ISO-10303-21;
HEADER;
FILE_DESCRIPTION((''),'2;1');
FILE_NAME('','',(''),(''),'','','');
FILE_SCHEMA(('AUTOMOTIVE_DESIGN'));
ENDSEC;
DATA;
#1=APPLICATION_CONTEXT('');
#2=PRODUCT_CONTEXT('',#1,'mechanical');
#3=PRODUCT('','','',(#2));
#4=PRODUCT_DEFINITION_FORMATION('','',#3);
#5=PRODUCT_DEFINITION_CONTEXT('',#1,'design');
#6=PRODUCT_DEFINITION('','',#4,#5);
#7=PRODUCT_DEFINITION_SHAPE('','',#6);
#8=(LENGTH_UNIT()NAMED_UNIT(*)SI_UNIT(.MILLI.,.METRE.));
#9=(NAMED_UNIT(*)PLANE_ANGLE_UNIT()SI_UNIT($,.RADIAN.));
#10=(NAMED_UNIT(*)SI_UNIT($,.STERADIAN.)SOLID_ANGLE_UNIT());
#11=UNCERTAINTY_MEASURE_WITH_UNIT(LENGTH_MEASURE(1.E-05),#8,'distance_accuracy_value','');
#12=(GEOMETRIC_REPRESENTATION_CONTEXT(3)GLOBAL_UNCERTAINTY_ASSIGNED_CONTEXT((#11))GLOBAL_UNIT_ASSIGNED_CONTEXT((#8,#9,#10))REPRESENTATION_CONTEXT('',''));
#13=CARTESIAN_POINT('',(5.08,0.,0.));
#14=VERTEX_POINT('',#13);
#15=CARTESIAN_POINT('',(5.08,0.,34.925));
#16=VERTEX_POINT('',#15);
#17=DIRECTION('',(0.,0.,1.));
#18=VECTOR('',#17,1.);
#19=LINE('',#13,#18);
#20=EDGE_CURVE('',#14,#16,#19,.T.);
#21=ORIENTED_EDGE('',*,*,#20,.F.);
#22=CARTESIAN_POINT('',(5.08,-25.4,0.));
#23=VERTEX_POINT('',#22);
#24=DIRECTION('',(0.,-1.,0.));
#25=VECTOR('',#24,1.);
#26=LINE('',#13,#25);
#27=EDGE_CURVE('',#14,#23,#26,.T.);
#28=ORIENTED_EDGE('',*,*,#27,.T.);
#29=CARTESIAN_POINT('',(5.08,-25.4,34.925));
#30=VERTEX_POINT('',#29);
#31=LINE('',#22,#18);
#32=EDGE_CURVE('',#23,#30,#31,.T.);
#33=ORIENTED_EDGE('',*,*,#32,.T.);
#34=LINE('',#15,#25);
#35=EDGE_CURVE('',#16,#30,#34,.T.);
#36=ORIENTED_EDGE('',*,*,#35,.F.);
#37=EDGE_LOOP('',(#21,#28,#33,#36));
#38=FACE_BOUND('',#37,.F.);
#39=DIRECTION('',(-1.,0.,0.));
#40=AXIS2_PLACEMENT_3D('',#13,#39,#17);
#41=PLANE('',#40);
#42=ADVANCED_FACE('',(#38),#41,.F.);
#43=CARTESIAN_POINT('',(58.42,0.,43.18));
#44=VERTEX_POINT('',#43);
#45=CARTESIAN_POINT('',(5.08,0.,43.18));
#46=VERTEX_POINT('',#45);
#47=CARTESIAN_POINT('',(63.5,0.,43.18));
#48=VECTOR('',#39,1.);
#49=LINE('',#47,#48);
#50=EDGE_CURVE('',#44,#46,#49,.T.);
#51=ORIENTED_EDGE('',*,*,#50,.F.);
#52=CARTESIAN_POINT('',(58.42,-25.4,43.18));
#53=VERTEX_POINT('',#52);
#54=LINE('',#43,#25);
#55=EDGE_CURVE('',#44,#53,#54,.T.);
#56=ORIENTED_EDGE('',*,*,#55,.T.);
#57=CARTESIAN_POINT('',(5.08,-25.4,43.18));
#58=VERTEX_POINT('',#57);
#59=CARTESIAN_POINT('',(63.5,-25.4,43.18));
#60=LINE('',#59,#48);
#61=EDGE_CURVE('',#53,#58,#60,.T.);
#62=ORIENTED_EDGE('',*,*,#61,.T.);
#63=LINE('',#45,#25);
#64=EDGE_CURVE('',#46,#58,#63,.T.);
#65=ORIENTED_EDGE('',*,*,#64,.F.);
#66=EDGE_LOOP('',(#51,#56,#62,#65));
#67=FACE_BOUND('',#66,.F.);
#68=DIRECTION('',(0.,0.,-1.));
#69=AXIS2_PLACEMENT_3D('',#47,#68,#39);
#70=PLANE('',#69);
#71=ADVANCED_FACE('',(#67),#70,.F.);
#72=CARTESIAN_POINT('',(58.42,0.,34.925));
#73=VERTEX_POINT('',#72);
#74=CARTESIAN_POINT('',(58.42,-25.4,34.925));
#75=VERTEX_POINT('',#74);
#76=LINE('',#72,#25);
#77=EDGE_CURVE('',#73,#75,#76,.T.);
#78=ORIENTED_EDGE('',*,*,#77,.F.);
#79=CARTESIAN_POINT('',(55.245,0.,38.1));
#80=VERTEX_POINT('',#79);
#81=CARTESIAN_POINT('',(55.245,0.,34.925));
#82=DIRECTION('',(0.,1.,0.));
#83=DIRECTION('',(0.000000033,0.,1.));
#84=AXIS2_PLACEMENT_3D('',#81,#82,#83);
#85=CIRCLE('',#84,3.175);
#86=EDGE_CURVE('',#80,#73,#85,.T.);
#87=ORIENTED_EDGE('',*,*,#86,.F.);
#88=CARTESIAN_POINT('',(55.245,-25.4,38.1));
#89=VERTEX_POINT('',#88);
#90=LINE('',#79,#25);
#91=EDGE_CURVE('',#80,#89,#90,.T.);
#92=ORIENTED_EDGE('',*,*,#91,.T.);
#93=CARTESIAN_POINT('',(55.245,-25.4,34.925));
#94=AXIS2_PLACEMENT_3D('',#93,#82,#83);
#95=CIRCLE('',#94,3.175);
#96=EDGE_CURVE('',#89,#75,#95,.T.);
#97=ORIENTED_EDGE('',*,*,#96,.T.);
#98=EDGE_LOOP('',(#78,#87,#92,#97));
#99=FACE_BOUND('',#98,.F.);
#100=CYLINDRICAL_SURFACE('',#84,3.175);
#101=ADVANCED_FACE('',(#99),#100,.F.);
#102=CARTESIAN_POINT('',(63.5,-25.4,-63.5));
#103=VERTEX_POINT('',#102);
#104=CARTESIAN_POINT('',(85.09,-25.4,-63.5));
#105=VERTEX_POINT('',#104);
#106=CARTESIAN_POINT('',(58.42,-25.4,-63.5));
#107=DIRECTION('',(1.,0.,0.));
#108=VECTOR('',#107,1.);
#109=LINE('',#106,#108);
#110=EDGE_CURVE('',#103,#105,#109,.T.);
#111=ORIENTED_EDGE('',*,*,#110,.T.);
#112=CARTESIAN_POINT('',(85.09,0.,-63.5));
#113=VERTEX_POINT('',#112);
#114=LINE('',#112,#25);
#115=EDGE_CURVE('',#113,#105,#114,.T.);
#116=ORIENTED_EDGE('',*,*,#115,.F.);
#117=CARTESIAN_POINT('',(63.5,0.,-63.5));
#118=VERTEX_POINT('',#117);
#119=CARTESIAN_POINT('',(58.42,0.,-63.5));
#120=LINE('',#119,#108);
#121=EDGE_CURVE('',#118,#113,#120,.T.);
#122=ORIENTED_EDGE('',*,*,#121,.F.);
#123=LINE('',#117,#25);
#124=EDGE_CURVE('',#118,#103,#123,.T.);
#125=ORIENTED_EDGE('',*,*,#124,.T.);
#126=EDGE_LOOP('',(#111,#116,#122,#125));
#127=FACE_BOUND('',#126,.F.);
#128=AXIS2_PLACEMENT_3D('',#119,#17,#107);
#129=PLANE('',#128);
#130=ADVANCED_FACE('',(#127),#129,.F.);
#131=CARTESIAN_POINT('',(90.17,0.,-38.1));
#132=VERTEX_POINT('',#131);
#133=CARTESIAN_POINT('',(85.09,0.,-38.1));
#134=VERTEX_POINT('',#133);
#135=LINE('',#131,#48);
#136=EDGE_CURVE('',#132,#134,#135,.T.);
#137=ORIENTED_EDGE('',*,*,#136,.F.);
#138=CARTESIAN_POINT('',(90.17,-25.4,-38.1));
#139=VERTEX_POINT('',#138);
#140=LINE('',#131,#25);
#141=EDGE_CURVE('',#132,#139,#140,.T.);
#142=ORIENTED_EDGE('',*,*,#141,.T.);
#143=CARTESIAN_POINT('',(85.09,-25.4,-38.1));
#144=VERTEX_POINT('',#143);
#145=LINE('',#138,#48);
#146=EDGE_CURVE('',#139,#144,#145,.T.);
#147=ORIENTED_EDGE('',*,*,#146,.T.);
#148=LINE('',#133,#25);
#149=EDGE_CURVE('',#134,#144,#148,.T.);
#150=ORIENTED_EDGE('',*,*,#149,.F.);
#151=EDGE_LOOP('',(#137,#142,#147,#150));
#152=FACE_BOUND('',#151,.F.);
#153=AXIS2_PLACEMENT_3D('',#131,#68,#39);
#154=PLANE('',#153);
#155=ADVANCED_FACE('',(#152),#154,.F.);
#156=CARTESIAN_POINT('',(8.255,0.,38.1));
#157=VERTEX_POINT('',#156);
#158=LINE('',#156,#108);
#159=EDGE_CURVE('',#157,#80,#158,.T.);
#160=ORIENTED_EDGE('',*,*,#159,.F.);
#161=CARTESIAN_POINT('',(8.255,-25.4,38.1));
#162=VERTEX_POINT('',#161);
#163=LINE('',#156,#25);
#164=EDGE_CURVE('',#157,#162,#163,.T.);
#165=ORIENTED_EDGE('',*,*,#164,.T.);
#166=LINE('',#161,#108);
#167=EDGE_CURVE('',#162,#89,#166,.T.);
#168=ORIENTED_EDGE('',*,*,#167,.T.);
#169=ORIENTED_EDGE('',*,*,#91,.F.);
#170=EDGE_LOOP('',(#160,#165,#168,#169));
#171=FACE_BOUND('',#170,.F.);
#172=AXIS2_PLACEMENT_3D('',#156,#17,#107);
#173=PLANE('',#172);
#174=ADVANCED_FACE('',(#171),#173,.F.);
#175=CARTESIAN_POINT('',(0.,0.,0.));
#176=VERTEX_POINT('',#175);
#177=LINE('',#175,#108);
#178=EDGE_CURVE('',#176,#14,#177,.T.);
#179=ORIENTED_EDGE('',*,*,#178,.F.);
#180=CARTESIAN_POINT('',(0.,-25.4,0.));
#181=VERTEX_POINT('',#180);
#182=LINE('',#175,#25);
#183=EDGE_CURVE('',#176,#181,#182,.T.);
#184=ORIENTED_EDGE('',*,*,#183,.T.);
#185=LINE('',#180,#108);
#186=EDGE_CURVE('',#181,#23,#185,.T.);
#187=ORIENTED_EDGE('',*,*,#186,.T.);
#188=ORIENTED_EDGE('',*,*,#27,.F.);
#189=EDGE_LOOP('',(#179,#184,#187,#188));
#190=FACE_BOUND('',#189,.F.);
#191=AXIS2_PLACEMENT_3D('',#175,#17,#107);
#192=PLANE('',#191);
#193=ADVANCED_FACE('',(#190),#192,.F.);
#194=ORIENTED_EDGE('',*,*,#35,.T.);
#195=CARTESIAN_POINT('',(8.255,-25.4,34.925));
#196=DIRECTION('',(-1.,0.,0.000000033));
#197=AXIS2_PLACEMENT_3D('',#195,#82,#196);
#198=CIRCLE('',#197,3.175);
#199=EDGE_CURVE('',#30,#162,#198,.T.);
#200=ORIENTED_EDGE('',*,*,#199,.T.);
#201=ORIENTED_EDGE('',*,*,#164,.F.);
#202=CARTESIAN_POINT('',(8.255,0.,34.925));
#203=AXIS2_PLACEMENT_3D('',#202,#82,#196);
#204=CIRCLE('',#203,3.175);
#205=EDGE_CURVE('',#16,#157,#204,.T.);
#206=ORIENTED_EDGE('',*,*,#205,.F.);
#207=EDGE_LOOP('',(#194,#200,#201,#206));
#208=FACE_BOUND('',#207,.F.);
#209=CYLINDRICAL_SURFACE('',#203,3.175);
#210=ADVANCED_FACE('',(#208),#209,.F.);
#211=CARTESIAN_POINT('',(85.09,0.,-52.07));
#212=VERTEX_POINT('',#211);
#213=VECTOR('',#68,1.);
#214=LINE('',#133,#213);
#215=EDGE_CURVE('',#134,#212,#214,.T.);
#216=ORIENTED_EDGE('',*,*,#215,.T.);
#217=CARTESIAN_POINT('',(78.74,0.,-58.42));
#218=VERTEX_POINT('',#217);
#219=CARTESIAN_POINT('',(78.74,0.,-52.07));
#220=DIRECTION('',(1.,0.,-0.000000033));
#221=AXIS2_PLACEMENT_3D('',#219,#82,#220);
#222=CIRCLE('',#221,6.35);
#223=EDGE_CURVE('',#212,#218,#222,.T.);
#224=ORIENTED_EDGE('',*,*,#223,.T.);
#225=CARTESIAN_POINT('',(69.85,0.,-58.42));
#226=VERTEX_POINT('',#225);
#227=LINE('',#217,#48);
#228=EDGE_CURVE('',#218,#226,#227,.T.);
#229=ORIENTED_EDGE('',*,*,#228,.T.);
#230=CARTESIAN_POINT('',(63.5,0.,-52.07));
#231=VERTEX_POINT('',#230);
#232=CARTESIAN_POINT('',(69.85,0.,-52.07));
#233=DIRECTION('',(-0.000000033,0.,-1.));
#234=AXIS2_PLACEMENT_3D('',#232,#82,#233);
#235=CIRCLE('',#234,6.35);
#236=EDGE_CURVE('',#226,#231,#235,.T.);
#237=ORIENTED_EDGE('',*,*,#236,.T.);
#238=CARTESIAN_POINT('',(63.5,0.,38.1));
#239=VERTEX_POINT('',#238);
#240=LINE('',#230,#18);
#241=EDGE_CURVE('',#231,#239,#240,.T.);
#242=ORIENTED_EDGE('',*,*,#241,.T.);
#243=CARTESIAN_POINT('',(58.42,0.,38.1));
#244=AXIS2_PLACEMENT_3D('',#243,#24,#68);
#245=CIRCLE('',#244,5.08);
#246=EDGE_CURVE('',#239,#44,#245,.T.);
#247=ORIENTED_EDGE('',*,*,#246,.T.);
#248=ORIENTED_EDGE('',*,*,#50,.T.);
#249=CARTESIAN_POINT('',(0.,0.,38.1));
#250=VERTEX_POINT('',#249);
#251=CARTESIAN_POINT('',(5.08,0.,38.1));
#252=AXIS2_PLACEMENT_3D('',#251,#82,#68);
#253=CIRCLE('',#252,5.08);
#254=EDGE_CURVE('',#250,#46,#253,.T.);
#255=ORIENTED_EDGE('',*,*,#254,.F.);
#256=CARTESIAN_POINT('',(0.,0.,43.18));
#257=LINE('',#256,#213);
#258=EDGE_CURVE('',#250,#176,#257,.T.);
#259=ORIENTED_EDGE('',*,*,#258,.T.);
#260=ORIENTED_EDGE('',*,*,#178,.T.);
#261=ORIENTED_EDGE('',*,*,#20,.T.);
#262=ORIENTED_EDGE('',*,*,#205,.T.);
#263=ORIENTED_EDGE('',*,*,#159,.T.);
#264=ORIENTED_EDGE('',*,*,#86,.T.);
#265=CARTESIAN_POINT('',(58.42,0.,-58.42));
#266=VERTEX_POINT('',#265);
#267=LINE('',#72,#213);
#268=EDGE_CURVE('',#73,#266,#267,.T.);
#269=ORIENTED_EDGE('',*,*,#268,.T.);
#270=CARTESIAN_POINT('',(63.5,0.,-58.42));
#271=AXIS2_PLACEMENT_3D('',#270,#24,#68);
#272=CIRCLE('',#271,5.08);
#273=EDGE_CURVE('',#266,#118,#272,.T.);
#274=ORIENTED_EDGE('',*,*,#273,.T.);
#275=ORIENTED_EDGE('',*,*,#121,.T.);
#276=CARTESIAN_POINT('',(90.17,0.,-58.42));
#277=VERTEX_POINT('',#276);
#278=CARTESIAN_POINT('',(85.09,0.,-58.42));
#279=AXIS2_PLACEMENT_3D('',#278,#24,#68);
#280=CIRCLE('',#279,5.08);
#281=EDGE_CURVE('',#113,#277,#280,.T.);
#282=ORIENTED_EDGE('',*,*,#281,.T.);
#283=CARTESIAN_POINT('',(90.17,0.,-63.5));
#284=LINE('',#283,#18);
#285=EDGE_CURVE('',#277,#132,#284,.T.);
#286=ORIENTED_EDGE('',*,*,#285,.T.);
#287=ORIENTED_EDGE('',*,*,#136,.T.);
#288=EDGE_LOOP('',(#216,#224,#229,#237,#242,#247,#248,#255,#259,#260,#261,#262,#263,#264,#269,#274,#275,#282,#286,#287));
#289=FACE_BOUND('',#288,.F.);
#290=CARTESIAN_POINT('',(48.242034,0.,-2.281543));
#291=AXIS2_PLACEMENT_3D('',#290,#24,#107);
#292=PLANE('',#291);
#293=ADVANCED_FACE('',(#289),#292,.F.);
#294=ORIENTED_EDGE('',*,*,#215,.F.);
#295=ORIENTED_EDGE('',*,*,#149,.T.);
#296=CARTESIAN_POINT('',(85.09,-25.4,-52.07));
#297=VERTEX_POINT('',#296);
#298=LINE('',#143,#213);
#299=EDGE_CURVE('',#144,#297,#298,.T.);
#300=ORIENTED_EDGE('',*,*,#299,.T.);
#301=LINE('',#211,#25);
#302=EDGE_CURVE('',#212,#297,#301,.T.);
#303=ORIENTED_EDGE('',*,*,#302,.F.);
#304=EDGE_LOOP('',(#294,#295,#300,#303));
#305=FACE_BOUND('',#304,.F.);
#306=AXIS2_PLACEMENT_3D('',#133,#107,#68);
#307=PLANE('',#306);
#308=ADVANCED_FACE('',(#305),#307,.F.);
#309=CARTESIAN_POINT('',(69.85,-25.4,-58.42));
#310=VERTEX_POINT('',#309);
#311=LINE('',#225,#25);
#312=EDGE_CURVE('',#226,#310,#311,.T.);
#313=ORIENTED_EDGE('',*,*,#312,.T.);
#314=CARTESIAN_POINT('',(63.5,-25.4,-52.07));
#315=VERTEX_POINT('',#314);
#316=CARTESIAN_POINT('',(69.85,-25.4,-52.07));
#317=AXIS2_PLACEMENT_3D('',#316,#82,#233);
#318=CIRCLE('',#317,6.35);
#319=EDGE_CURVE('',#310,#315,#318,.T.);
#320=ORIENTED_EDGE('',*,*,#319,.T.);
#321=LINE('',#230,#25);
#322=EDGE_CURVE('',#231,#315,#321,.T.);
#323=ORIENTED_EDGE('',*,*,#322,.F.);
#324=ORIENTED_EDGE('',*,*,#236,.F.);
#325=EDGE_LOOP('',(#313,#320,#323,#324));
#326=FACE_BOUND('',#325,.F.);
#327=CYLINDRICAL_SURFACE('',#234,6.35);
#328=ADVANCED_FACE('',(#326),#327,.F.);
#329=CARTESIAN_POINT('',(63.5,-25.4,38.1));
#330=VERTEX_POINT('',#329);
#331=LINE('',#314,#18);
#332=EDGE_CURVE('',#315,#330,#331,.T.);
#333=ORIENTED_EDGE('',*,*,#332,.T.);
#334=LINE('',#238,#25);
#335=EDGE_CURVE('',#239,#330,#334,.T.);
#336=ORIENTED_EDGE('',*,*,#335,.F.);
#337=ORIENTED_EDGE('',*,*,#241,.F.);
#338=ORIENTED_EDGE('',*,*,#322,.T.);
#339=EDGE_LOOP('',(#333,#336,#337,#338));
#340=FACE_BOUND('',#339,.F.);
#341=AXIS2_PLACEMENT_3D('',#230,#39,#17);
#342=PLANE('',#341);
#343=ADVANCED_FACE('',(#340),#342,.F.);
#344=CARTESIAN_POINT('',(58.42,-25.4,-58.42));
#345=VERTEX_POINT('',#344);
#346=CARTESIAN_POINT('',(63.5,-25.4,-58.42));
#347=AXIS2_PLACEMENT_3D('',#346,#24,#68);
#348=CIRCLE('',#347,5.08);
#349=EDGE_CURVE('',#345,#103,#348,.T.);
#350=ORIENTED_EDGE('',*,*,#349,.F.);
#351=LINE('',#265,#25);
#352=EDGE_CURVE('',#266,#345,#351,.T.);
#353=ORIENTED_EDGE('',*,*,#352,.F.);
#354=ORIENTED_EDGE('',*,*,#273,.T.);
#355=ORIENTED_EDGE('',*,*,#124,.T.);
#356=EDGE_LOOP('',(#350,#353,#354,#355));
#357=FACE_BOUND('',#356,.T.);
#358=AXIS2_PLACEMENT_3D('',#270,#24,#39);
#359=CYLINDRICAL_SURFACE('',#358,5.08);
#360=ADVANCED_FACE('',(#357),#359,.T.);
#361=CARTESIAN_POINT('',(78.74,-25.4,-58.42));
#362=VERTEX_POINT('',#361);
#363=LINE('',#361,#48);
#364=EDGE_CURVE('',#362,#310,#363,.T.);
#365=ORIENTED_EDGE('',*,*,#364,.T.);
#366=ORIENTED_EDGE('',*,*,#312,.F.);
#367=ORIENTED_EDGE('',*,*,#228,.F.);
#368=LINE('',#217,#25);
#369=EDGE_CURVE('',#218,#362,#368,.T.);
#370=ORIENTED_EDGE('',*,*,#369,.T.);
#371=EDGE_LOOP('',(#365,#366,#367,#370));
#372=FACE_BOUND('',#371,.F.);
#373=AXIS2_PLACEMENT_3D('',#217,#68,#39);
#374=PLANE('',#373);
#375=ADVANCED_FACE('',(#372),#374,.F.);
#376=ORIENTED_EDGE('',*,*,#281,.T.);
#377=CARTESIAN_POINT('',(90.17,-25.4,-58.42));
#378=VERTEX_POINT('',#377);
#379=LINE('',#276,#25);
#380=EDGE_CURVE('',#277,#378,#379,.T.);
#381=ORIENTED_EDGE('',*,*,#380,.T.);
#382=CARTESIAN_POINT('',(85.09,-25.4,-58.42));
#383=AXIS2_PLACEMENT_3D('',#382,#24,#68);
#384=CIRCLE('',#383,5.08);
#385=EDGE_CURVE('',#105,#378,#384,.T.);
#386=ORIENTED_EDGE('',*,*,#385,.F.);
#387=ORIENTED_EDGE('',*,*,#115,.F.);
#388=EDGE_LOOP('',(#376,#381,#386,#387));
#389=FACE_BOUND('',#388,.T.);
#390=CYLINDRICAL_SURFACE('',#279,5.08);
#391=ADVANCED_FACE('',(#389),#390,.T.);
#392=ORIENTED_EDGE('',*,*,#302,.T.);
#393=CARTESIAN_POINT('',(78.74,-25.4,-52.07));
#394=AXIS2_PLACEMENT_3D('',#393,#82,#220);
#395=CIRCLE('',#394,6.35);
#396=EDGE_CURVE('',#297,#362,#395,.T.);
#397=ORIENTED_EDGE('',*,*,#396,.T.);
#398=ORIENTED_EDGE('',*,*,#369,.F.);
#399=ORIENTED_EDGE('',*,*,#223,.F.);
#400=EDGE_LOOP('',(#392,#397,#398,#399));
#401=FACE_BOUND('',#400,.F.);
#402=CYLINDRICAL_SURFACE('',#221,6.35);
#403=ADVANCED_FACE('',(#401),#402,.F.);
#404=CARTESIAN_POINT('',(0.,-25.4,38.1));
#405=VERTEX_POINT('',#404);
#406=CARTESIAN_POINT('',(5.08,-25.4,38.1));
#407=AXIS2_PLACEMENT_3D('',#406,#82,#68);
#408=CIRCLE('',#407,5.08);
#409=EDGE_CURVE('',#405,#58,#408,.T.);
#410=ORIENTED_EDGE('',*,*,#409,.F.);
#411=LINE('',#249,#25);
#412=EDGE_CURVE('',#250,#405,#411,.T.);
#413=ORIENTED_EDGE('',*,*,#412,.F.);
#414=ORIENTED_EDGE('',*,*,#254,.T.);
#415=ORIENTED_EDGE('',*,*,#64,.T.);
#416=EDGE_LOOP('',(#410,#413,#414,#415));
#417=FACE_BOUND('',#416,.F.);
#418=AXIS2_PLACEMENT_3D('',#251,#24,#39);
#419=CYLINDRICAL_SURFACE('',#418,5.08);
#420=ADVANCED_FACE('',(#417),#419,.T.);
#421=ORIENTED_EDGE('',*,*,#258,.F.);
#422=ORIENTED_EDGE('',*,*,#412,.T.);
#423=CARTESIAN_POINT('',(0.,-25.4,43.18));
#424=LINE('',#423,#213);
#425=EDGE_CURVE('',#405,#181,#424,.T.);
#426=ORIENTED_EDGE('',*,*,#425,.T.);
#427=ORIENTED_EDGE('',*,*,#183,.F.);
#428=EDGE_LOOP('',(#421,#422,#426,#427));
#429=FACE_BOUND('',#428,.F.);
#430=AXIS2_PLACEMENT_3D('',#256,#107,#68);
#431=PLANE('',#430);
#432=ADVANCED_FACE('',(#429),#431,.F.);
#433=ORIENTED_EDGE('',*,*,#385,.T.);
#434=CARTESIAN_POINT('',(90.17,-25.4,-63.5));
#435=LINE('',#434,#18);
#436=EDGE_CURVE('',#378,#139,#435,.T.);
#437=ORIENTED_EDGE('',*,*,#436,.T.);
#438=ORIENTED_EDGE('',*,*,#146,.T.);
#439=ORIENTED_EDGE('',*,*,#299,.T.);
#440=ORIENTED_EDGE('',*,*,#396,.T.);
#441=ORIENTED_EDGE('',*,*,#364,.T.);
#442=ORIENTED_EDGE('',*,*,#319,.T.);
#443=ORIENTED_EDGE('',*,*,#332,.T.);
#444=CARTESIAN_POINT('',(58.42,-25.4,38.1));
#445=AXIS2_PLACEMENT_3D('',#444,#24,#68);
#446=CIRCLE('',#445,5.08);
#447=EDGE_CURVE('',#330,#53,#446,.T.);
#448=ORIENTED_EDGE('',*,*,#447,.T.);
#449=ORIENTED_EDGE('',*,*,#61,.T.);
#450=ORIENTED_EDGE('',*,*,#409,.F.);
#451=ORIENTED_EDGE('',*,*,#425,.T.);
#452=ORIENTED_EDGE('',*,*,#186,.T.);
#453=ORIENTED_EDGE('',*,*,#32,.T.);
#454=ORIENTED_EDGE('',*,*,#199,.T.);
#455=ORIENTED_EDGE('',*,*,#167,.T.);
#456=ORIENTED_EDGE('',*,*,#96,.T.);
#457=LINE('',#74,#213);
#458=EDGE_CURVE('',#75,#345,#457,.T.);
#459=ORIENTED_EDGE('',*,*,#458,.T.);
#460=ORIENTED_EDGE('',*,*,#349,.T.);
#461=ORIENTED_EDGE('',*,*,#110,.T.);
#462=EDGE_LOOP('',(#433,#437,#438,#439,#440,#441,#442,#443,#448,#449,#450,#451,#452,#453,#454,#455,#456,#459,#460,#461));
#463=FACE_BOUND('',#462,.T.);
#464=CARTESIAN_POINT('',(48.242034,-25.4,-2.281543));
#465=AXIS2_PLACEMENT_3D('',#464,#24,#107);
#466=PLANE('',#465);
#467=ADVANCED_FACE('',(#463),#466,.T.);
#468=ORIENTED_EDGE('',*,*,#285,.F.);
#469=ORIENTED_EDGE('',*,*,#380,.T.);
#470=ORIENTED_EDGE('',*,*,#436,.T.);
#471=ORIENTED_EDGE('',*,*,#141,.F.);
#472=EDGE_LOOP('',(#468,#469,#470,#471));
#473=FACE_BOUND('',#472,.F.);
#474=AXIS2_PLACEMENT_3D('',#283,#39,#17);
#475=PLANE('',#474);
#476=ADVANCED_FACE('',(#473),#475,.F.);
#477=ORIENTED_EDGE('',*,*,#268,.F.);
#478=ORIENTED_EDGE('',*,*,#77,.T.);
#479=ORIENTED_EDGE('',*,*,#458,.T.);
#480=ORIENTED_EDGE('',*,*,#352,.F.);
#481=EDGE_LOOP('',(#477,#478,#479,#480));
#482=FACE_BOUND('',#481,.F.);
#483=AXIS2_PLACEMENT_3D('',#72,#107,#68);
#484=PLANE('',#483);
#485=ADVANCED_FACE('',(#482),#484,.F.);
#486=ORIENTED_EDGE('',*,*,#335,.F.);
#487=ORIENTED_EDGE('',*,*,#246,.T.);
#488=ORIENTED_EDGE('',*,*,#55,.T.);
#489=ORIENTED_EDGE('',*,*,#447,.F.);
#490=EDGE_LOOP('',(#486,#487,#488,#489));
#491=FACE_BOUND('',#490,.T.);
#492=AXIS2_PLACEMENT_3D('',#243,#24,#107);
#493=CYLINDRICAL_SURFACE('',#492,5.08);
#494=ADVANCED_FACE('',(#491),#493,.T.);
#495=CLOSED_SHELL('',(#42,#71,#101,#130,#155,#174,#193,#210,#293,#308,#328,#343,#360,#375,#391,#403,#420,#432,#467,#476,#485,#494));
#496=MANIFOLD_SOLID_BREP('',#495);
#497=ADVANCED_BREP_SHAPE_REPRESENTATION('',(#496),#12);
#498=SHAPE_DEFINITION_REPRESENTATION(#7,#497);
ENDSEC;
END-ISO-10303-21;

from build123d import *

# Parameters (mm, degrees)
F1_DEPTH = 25.4
F2_R     = 5.08


with BuildPart() as f1:
    # F0 (on Front) → F1 (new body)
    with BuildSketch(Plane.XZ):
        with BuildLine():
            Line((0, 43.18), (0, 0))
            Line((0, 0), (5.08, 0))
            Line((5.08, 0), (5.08, 34.925))
            ThreePointArc((5.08, 34.925), (6.009936, 37.170064), (8.255, 38.1))
            Line((8.255, 38.1), (55.245, 38.1))
            ThreePointArc((55.245, 38.1), (57.490064, 37.170064), (58.42, 34.925))
            Line((58.42, 34.925), (58.42, -63.5))
            Line((58.42, -63.5), (90.17, -63.5))
            Line((90.17, -63.5), (90.17, -38.1))
            Line((90.17, -38.1), (85.09, -38.1))
            Line((85.09, -38.1), (85.09, -52.07))
            ThreePointArc((85.09, -52.07), (83.230128, -56.560128), (78.74, -58.42))
            Line((78.74, -58.42), (69.85, -58.42))
            ThreePointArc((69.85, -58.42), (65.359872, -56.560128), (63.5, -52.07))
            Line((63.5, -52.07), (63.5, 43.18))
            Line((63.5, 43.18), (0, 43.18))
        make_face()
    extrude(amount=F1_DEPTH)

    # F2
    f2_edges = [f1.edges().sort_by_distance(p)[0] for p in [
        (0, -12.7, 43.18),
        (63.5, -12.7, 43.18),
        (90.17, -12.7, -63.5),
        (58.42, -12.7, -63.5),
    ]]
    fillet(f2_edges, radius=F2_R)


solid = f1.part
